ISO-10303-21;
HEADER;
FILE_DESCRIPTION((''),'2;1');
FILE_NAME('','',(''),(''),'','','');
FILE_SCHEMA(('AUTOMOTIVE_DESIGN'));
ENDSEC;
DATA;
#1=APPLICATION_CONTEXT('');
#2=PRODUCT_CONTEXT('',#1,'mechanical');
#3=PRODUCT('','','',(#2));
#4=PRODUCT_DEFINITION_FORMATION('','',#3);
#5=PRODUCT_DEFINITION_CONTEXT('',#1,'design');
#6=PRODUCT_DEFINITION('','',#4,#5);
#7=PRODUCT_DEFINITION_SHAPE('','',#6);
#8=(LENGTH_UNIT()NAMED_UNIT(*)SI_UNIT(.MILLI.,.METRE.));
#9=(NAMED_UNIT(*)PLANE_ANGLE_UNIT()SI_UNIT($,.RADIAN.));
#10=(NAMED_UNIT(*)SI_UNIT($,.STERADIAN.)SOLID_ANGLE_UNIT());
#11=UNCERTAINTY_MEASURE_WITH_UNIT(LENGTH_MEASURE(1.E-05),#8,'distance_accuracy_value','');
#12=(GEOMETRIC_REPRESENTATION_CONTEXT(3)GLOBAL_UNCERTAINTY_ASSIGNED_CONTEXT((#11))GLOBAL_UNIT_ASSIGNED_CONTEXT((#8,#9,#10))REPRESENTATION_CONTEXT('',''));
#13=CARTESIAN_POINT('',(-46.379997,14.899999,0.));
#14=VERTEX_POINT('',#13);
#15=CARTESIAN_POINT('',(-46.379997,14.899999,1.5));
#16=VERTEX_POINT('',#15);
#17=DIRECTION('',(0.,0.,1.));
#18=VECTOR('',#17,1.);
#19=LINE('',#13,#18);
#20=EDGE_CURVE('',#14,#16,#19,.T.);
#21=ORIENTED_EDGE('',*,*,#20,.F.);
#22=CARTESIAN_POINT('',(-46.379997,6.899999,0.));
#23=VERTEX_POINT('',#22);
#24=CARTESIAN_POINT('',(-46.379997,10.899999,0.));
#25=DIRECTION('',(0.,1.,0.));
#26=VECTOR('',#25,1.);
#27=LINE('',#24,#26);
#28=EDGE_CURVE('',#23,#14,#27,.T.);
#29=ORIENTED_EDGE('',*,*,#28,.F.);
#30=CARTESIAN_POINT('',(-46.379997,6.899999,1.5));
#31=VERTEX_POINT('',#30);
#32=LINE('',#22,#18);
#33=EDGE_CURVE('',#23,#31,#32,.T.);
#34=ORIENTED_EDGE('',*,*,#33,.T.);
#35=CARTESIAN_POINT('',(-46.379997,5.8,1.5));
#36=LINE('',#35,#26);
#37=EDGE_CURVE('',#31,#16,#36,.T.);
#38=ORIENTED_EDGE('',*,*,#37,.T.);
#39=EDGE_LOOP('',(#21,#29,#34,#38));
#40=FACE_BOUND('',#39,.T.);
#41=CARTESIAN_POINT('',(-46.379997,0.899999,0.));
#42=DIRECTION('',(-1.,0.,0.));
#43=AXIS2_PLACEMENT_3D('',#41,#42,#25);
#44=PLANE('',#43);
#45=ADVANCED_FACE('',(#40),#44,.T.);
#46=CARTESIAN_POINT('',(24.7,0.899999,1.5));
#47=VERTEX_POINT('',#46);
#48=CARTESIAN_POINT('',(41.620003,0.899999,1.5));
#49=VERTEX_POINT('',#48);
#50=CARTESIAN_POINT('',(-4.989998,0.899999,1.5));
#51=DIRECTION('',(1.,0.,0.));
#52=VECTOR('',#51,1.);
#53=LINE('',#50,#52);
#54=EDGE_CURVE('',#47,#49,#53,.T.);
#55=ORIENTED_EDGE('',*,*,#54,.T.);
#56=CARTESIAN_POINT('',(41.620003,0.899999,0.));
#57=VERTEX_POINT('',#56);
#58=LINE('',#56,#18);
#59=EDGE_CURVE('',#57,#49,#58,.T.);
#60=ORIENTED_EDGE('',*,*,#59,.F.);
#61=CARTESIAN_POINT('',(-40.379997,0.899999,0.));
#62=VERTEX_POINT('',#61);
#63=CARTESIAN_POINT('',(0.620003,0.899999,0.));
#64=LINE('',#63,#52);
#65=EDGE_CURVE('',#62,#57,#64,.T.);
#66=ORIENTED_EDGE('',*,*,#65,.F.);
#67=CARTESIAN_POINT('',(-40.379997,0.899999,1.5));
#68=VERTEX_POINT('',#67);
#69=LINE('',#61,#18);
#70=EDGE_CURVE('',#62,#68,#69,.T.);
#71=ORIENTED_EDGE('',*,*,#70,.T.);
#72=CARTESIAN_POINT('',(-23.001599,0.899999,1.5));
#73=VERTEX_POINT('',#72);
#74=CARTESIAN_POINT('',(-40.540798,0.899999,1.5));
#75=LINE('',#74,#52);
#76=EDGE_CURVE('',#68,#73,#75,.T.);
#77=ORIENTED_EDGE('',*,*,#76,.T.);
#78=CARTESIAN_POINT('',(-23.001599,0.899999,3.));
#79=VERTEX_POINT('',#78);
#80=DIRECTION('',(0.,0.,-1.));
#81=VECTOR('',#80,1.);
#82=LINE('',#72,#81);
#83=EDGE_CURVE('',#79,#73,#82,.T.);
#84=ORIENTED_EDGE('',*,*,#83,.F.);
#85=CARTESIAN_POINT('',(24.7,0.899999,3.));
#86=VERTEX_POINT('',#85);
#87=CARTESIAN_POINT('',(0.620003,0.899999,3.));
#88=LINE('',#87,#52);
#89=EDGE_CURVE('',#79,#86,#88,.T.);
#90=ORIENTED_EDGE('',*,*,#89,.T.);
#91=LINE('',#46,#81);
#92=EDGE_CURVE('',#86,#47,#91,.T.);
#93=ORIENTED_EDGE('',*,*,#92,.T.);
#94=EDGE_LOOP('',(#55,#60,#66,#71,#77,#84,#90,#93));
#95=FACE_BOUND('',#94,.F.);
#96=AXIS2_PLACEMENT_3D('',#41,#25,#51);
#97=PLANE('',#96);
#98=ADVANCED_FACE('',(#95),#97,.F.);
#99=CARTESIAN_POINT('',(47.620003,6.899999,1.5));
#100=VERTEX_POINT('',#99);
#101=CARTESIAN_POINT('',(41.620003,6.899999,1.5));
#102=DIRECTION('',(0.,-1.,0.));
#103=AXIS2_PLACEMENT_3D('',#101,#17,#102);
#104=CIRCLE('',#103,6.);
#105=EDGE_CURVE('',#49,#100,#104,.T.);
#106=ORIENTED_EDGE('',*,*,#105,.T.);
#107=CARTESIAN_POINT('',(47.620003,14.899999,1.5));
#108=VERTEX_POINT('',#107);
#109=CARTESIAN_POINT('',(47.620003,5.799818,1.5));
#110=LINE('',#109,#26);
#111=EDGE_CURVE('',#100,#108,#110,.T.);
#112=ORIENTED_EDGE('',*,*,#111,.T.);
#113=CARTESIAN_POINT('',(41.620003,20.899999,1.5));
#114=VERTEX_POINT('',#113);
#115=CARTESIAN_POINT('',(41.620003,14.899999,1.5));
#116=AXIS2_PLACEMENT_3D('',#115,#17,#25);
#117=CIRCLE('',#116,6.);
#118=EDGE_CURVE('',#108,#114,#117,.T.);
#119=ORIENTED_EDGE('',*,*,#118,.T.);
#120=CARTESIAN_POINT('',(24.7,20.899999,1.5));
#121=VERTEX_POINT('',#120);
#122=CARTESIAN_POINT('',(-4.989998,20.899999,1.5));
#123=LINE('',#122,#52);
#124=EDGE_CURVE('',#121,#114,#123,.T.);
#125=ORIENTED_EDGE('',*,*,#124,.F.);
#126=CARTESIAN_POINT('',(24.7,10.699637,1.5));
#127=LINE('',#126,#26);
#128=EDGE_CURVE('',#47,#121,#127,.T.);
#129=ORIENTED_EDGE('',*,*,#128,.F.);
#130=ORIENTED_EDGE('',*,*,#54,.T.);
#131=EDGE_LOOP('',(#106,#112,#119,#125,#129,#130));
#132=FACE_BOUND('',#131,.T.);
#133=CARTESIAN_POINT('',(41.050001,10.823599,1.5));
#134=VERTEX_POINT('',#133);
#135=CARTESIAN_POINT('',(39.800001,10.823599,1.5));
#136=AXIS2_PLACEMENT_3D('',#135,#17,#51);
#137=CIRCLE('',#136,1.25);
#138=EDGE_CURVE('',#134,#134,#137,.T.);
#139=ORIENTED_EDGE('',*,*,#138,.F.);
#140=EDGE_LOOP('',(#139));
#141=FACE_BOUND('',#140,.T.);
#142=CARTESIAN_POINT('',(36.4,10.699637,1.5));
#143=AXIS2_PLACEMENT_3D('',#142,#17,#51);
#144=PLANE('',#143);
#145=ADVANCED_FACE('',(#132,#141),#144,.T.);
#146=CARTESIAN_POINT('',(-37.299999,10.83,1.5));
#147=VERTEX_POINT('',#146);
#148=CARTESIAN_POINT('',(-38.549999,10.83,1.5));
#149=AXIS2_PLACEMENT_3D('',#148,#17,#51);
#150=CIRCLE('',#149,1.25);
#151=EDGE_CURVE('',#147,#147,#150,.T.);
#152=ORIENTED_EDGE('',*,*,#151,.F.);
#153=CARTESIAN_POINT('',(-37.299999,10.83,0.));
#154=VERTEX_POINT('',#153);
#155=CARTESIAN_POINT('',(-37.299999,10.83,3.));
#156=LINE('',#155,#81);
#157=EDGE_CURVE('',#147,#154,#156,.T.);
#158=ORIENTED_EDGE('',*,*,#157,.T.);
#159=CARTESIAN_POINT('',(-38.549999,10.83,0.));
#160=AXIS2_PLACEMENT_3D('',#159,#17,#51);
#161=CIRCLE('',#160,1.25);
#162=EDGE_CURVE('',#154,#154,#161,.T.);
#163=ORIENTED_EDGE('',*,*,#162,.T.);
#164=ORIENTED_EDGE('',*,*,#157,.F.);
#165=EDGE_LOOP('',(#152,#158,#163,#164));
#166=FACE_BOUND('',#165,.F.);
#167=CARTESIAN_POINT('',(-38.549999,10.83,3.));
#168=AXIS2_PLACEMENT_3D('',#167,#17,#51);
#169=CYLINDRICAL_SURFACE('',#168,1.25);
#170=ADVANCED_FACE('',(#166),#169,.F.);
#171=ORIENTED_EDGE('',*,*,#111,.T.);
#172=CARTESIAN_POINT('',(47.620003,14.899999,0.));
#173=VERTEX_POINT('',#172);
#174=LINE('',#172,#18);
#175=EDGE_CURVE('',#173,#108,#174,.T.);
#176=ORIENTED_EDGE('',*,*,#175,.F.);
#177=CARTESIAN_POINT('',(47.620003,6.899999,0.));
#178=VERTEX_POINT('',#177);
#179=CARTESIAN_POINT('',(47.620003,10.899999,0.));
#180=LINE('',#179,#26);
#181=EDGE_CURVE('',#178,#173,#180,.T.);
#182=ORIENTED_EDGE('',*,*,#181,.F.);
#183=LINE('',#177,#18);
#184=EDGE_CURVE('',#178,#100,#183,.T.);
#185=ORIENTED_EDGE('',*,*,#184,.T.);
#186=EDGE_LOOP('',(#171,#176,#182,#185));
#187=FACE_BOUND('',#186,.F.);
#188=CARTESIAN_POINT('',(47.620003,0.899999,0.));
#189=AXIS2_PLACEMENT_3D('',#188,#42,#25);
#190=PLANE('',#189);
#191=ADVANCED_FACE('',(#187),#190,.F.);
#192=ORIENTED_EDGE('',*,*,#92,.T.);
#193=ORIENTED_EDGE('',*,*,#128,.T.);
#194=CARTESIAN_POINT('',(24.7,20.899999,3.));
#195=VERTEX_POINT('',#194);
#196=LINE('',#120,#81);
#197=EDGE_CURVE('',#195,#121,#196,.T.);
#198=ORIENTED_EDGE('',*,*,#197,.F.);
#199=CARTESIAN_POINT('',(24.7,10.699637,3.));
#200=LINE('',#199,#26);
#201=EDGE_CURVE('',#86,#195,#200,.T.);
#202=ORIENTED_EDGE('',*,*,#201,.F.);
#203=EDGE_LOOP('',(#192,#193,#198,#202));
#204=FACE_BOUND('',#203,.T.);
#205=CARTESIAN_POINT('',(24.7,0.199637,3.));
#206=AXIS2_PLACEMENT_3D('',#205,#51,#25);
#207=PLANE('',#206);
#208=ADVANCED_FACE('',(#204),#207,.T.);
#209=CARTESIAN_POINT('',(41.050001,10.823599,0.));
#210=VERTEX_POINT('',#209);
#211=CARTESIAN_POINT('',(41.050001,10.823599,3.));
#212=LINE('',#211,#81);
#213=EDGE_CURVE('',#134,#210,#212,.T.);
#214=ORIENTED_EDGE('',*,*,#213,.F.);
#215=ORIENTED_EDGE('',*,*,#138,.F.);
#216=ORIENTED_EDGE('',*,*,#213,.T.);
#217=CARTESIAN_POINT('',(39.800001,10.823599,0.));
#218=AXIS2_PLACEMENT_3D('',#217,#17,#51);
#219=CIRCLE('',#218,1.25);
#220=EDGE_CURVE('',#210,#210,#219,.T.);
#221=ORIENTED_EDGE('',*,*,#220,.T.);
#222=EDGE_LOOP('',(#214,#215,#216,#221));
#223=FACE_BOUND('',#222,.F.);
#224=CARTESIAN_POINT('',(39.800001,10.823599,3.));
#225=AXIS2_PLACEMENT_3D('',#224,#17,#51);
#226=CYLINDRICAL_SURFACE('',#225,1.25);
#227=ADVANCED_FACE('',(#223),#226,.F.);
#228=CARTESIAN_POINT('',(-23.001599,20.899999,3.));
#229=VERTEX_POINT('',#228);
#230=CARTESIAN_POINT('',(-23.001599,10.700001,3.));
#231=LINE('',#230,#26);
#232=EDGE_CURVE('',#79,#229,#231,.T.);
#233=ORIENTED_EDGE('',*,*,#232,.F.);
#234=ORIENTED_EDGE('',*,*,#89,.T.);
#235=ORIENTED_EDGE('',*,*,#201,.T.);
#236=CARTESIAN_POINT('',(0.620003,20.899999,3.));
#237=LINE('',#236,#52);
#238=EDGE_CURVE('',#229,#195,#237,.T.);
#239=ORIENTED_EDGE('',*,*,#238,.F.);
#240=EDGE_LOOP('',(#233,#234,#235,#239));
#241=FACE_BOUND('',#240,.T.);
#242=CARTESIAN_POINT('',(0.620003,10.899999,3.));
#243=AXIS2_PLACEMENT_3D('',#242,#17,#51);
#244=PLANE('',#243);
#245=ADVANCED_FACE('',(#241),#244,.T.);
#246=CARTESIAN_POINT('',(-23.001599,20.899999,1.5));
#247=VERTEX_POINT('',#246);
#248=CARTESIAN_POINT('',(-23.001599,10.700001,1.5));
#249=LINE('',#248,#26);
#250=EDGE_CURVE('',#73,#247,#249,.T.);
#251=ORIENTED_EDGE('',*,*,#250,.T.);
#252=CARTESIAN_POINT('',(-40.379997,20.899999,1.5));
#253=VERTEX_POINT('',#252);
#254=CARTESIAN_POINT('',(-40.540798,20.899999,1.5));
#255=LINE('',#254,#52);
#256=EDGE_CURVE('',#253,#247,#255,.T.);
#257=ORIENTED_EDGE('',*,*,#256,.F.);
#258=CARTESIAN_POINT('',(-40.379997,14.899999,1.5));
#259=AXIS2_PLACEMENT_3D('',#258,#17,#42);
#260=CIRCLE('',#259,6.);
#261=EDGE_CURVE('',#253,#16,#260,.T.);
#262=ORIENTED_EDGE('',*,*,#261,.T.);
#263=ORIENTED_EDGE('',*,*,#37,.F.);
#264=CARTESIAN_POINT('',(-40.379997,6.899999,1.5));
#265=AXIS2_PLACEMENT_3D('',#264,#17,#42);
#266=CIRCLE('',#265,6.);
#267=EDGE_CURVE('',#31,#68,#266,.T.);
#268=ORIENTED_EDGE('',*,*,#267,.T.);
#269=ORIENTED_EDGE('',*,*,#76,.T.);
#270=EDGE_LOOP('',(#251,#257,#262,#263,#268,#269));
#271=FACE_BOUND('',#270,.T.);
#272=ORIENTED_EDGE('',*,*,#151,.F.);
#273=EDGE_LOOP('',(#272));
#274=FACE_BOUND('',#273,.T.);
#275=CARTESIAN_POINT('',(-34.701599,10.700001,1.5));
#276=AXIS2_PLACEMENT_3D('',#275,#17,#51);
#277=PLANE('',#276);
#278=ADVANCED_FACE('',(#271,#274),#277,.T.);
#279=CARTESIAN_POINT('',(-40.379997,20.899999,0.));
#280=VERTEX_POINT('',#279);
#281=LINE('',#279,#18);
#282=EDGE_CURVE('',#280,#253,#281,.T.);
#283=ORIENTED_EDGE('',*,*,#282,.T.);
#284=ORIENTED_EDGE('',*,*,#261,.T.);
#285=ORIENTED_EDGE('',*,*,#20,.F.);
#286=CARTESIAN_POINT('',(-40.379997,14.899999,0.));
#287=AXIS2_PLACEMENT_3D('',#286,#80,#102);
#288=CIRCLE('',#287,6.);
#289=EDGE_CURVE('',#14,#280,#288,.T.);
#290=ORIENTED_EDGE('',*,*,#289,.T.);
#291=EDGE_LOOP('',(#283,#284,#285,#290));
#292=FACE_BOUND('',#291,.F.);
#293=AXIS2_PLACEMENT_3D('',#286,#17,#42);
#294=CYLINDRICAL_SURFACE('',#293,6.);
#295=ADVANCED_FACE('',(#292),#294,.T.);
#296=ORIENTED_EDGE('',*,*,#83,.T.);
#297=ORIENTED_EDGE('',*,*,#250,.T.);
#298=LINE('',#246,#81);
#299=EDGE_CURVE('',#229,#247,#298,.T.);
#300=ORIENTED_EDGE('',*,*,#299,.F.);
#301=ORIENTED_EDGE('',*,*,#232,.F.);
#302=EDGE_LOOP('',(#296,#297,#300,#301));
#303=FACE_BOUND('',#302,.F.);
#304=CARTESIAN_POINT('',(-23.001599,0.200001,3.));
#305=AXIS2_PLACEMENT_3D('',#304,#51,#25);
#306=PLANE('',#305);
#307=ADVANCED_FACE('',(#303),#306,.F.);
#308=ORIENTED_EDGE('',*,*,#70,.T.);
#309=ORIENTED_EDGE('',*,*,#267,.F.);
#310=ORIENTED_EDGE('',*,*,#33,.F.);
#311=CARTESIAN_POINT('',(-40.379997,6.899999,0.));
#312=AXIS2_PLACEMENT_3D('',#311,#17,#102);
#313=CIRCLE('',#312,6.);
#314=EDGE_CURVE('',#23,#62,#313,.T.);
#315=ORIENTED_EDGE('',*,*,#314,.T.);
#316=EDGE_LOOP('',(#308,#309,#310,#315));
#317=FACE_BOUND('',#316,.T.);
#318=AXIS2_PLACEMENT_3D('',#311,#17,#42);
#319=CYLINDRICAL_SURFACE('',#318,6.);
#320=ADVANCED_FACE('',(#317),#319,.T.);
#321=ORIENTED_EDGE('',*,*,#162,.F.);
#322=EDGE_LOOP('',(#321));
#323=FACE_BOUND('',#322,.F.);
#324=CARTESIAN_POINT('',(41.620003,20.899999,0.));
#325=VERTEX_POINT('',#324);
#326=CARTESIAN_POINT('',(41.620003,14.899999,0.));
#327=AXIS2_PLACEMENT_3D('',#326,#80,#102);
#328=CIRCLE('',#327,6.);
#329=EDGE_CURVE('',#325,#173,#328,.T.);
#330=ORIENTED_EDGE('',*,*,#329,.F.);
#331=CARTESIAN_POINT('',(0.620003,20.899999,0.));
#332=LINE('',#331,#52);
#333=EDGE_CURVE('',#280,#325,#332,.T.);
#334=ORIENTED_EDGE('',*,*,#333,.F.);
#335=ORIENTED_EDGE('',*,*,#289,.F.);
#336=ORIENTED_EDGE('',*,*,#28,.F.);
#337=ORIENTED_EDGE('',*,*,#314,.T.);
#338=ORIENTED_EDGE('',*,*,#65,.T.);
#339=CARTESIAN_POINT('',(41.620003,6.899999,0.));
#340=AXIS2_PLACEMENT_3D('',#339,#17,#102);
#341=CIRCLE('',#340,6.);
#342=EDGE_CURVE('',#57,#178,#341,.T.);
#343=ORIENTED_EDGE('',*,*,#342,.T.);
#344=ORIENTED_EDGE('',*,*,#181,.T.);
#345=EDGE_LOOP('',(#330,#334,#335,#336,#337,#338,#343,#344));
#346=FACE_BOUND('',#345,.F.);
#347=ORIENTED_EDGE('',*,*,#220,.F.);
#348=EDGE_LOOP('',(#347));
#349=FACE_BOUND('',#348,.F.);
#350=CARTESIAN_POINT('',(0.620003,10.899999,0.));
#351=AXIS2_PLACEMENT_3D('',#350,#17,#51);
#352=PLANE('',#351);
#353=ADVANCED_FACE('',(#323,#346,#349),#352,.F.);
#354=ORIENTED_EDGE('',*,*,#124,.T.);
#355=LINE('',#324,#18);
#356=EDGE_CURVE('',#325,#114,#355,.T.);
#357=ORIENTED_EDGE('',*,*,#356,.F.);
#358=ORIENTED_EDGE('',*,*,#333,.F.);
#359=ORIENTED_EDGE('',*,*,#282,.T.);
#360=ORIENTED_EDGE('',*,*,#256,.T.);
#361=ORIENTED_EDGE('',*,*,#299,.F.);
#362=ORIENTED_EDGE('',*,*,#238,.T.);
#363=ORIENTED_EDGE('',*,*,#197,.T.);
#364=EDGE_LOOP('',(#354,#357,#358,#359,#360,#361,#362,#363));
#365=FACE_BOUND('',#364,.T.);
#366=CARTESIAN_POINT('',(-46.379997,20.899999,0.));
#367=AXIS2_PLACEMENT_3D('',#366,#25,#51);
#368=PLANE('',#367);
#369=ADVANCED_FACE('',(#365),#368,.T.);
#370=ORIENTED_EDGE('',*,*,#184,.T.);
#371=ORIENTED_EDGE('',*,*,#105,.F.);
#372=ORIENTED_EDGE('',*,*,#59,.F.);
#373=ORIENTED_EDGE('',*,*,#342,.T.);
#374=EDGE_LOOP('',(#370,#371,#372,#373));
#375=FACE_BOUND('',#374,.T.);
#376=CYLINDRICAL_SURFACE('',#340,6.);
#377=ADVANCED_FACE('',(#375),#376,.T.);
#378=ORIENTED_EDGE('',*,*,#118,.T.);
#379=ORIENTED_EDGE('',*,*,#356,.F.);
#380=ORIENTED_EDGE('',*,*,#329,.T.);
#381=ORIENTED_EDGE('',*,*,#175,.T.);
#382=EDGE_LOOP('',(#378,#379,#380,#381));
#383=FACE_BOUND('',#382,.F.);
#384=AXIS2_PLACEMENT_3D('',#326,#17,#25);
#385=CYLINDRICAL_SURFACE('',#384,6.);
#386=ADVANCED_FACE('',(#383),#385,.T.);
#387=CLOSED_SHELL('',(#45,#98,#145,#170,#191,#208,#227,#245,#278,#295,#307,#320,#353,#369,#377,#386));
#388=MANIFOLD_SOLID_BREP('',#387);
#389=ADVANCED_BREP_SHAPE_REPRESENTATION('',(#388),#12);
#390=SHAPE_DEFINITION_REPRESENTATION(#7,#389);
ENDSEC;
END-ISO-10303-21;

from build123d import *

# Parameters (mm, degrees)
SKETCH_W        = 94
SKETCH_H        = 20
EXTRUDE_DEPTH   = 3
SKETCH001_R     = 1.25
HOLE_DEPTH      = 3
FILLET_R        = 6
SKETCH002_W     = 23.4
SKETCH002_H     = 21
POCKET_DEPTH    = 1.5
SKETCH003_W     = 23.4
SKETCH003_H     = 21
POCKET001_DEPTH = 1.5


with BuildPart() as part:
    # Sketch → Extrude (new body)
    with BuildSketch(Plane.XY):
        with Locations((0.620003, 10.899999)):
            Rectangle(SKETCH_W, SKETCH_H)
    extrude(amount=EXTRUDE_DEPTH)

    # Sketch001 (on Face6 of BaseFeature) → Hole (cut)
    with BuildSketch(Plane.XY.offset(3)):
        with Locations((-38.549999, 10.83)):
            Circle(SKETCH001_R)
        with Locations((39.800001, 10.823599)):
            Circle(SKETCH001_R)
    extrude(amount=-HOLE_DEPTH, mode=Mode.SUBTRACT)

    # Fillet
    fillet_edges = [part.edges().sort_by_distance(p)[0] for p in [
        (-46.379997, 0.899999, 1.5),
        (-46.379997, 20.899999, 1.5),
        (47.620003, 20.899999, 1.5),
        (47.620003, 0.899999, 1.5),
    ]]
    fillet(fillet_edges, radius=FILLET_R)

    # Sketch002 (on Face5 of Fillet) → Pocket (cut)
    with BuildSketch(Plane.XY.offset(3)):
        with Locations((-34.701599, 10.700001)):
            Rectangle(SKETCH002_W, SKETCH002_H)
    extrude(amount=-POCKET_DEPTH, mode=Mode.SUBTRACT)

    # Sketch003 (on Face4 of Pocket) → Pocket001 (cut)
    with BuildSketch(Plane.XY.offset(3)):
        with Locations((36.4, 10.699637)):
            Rectangle(SKETCH003_W, SKETCH003_H)
    extrude(amount=-POCKET001_DEPTH, mode=Mode.SUBTRACT)


solid = part.part
